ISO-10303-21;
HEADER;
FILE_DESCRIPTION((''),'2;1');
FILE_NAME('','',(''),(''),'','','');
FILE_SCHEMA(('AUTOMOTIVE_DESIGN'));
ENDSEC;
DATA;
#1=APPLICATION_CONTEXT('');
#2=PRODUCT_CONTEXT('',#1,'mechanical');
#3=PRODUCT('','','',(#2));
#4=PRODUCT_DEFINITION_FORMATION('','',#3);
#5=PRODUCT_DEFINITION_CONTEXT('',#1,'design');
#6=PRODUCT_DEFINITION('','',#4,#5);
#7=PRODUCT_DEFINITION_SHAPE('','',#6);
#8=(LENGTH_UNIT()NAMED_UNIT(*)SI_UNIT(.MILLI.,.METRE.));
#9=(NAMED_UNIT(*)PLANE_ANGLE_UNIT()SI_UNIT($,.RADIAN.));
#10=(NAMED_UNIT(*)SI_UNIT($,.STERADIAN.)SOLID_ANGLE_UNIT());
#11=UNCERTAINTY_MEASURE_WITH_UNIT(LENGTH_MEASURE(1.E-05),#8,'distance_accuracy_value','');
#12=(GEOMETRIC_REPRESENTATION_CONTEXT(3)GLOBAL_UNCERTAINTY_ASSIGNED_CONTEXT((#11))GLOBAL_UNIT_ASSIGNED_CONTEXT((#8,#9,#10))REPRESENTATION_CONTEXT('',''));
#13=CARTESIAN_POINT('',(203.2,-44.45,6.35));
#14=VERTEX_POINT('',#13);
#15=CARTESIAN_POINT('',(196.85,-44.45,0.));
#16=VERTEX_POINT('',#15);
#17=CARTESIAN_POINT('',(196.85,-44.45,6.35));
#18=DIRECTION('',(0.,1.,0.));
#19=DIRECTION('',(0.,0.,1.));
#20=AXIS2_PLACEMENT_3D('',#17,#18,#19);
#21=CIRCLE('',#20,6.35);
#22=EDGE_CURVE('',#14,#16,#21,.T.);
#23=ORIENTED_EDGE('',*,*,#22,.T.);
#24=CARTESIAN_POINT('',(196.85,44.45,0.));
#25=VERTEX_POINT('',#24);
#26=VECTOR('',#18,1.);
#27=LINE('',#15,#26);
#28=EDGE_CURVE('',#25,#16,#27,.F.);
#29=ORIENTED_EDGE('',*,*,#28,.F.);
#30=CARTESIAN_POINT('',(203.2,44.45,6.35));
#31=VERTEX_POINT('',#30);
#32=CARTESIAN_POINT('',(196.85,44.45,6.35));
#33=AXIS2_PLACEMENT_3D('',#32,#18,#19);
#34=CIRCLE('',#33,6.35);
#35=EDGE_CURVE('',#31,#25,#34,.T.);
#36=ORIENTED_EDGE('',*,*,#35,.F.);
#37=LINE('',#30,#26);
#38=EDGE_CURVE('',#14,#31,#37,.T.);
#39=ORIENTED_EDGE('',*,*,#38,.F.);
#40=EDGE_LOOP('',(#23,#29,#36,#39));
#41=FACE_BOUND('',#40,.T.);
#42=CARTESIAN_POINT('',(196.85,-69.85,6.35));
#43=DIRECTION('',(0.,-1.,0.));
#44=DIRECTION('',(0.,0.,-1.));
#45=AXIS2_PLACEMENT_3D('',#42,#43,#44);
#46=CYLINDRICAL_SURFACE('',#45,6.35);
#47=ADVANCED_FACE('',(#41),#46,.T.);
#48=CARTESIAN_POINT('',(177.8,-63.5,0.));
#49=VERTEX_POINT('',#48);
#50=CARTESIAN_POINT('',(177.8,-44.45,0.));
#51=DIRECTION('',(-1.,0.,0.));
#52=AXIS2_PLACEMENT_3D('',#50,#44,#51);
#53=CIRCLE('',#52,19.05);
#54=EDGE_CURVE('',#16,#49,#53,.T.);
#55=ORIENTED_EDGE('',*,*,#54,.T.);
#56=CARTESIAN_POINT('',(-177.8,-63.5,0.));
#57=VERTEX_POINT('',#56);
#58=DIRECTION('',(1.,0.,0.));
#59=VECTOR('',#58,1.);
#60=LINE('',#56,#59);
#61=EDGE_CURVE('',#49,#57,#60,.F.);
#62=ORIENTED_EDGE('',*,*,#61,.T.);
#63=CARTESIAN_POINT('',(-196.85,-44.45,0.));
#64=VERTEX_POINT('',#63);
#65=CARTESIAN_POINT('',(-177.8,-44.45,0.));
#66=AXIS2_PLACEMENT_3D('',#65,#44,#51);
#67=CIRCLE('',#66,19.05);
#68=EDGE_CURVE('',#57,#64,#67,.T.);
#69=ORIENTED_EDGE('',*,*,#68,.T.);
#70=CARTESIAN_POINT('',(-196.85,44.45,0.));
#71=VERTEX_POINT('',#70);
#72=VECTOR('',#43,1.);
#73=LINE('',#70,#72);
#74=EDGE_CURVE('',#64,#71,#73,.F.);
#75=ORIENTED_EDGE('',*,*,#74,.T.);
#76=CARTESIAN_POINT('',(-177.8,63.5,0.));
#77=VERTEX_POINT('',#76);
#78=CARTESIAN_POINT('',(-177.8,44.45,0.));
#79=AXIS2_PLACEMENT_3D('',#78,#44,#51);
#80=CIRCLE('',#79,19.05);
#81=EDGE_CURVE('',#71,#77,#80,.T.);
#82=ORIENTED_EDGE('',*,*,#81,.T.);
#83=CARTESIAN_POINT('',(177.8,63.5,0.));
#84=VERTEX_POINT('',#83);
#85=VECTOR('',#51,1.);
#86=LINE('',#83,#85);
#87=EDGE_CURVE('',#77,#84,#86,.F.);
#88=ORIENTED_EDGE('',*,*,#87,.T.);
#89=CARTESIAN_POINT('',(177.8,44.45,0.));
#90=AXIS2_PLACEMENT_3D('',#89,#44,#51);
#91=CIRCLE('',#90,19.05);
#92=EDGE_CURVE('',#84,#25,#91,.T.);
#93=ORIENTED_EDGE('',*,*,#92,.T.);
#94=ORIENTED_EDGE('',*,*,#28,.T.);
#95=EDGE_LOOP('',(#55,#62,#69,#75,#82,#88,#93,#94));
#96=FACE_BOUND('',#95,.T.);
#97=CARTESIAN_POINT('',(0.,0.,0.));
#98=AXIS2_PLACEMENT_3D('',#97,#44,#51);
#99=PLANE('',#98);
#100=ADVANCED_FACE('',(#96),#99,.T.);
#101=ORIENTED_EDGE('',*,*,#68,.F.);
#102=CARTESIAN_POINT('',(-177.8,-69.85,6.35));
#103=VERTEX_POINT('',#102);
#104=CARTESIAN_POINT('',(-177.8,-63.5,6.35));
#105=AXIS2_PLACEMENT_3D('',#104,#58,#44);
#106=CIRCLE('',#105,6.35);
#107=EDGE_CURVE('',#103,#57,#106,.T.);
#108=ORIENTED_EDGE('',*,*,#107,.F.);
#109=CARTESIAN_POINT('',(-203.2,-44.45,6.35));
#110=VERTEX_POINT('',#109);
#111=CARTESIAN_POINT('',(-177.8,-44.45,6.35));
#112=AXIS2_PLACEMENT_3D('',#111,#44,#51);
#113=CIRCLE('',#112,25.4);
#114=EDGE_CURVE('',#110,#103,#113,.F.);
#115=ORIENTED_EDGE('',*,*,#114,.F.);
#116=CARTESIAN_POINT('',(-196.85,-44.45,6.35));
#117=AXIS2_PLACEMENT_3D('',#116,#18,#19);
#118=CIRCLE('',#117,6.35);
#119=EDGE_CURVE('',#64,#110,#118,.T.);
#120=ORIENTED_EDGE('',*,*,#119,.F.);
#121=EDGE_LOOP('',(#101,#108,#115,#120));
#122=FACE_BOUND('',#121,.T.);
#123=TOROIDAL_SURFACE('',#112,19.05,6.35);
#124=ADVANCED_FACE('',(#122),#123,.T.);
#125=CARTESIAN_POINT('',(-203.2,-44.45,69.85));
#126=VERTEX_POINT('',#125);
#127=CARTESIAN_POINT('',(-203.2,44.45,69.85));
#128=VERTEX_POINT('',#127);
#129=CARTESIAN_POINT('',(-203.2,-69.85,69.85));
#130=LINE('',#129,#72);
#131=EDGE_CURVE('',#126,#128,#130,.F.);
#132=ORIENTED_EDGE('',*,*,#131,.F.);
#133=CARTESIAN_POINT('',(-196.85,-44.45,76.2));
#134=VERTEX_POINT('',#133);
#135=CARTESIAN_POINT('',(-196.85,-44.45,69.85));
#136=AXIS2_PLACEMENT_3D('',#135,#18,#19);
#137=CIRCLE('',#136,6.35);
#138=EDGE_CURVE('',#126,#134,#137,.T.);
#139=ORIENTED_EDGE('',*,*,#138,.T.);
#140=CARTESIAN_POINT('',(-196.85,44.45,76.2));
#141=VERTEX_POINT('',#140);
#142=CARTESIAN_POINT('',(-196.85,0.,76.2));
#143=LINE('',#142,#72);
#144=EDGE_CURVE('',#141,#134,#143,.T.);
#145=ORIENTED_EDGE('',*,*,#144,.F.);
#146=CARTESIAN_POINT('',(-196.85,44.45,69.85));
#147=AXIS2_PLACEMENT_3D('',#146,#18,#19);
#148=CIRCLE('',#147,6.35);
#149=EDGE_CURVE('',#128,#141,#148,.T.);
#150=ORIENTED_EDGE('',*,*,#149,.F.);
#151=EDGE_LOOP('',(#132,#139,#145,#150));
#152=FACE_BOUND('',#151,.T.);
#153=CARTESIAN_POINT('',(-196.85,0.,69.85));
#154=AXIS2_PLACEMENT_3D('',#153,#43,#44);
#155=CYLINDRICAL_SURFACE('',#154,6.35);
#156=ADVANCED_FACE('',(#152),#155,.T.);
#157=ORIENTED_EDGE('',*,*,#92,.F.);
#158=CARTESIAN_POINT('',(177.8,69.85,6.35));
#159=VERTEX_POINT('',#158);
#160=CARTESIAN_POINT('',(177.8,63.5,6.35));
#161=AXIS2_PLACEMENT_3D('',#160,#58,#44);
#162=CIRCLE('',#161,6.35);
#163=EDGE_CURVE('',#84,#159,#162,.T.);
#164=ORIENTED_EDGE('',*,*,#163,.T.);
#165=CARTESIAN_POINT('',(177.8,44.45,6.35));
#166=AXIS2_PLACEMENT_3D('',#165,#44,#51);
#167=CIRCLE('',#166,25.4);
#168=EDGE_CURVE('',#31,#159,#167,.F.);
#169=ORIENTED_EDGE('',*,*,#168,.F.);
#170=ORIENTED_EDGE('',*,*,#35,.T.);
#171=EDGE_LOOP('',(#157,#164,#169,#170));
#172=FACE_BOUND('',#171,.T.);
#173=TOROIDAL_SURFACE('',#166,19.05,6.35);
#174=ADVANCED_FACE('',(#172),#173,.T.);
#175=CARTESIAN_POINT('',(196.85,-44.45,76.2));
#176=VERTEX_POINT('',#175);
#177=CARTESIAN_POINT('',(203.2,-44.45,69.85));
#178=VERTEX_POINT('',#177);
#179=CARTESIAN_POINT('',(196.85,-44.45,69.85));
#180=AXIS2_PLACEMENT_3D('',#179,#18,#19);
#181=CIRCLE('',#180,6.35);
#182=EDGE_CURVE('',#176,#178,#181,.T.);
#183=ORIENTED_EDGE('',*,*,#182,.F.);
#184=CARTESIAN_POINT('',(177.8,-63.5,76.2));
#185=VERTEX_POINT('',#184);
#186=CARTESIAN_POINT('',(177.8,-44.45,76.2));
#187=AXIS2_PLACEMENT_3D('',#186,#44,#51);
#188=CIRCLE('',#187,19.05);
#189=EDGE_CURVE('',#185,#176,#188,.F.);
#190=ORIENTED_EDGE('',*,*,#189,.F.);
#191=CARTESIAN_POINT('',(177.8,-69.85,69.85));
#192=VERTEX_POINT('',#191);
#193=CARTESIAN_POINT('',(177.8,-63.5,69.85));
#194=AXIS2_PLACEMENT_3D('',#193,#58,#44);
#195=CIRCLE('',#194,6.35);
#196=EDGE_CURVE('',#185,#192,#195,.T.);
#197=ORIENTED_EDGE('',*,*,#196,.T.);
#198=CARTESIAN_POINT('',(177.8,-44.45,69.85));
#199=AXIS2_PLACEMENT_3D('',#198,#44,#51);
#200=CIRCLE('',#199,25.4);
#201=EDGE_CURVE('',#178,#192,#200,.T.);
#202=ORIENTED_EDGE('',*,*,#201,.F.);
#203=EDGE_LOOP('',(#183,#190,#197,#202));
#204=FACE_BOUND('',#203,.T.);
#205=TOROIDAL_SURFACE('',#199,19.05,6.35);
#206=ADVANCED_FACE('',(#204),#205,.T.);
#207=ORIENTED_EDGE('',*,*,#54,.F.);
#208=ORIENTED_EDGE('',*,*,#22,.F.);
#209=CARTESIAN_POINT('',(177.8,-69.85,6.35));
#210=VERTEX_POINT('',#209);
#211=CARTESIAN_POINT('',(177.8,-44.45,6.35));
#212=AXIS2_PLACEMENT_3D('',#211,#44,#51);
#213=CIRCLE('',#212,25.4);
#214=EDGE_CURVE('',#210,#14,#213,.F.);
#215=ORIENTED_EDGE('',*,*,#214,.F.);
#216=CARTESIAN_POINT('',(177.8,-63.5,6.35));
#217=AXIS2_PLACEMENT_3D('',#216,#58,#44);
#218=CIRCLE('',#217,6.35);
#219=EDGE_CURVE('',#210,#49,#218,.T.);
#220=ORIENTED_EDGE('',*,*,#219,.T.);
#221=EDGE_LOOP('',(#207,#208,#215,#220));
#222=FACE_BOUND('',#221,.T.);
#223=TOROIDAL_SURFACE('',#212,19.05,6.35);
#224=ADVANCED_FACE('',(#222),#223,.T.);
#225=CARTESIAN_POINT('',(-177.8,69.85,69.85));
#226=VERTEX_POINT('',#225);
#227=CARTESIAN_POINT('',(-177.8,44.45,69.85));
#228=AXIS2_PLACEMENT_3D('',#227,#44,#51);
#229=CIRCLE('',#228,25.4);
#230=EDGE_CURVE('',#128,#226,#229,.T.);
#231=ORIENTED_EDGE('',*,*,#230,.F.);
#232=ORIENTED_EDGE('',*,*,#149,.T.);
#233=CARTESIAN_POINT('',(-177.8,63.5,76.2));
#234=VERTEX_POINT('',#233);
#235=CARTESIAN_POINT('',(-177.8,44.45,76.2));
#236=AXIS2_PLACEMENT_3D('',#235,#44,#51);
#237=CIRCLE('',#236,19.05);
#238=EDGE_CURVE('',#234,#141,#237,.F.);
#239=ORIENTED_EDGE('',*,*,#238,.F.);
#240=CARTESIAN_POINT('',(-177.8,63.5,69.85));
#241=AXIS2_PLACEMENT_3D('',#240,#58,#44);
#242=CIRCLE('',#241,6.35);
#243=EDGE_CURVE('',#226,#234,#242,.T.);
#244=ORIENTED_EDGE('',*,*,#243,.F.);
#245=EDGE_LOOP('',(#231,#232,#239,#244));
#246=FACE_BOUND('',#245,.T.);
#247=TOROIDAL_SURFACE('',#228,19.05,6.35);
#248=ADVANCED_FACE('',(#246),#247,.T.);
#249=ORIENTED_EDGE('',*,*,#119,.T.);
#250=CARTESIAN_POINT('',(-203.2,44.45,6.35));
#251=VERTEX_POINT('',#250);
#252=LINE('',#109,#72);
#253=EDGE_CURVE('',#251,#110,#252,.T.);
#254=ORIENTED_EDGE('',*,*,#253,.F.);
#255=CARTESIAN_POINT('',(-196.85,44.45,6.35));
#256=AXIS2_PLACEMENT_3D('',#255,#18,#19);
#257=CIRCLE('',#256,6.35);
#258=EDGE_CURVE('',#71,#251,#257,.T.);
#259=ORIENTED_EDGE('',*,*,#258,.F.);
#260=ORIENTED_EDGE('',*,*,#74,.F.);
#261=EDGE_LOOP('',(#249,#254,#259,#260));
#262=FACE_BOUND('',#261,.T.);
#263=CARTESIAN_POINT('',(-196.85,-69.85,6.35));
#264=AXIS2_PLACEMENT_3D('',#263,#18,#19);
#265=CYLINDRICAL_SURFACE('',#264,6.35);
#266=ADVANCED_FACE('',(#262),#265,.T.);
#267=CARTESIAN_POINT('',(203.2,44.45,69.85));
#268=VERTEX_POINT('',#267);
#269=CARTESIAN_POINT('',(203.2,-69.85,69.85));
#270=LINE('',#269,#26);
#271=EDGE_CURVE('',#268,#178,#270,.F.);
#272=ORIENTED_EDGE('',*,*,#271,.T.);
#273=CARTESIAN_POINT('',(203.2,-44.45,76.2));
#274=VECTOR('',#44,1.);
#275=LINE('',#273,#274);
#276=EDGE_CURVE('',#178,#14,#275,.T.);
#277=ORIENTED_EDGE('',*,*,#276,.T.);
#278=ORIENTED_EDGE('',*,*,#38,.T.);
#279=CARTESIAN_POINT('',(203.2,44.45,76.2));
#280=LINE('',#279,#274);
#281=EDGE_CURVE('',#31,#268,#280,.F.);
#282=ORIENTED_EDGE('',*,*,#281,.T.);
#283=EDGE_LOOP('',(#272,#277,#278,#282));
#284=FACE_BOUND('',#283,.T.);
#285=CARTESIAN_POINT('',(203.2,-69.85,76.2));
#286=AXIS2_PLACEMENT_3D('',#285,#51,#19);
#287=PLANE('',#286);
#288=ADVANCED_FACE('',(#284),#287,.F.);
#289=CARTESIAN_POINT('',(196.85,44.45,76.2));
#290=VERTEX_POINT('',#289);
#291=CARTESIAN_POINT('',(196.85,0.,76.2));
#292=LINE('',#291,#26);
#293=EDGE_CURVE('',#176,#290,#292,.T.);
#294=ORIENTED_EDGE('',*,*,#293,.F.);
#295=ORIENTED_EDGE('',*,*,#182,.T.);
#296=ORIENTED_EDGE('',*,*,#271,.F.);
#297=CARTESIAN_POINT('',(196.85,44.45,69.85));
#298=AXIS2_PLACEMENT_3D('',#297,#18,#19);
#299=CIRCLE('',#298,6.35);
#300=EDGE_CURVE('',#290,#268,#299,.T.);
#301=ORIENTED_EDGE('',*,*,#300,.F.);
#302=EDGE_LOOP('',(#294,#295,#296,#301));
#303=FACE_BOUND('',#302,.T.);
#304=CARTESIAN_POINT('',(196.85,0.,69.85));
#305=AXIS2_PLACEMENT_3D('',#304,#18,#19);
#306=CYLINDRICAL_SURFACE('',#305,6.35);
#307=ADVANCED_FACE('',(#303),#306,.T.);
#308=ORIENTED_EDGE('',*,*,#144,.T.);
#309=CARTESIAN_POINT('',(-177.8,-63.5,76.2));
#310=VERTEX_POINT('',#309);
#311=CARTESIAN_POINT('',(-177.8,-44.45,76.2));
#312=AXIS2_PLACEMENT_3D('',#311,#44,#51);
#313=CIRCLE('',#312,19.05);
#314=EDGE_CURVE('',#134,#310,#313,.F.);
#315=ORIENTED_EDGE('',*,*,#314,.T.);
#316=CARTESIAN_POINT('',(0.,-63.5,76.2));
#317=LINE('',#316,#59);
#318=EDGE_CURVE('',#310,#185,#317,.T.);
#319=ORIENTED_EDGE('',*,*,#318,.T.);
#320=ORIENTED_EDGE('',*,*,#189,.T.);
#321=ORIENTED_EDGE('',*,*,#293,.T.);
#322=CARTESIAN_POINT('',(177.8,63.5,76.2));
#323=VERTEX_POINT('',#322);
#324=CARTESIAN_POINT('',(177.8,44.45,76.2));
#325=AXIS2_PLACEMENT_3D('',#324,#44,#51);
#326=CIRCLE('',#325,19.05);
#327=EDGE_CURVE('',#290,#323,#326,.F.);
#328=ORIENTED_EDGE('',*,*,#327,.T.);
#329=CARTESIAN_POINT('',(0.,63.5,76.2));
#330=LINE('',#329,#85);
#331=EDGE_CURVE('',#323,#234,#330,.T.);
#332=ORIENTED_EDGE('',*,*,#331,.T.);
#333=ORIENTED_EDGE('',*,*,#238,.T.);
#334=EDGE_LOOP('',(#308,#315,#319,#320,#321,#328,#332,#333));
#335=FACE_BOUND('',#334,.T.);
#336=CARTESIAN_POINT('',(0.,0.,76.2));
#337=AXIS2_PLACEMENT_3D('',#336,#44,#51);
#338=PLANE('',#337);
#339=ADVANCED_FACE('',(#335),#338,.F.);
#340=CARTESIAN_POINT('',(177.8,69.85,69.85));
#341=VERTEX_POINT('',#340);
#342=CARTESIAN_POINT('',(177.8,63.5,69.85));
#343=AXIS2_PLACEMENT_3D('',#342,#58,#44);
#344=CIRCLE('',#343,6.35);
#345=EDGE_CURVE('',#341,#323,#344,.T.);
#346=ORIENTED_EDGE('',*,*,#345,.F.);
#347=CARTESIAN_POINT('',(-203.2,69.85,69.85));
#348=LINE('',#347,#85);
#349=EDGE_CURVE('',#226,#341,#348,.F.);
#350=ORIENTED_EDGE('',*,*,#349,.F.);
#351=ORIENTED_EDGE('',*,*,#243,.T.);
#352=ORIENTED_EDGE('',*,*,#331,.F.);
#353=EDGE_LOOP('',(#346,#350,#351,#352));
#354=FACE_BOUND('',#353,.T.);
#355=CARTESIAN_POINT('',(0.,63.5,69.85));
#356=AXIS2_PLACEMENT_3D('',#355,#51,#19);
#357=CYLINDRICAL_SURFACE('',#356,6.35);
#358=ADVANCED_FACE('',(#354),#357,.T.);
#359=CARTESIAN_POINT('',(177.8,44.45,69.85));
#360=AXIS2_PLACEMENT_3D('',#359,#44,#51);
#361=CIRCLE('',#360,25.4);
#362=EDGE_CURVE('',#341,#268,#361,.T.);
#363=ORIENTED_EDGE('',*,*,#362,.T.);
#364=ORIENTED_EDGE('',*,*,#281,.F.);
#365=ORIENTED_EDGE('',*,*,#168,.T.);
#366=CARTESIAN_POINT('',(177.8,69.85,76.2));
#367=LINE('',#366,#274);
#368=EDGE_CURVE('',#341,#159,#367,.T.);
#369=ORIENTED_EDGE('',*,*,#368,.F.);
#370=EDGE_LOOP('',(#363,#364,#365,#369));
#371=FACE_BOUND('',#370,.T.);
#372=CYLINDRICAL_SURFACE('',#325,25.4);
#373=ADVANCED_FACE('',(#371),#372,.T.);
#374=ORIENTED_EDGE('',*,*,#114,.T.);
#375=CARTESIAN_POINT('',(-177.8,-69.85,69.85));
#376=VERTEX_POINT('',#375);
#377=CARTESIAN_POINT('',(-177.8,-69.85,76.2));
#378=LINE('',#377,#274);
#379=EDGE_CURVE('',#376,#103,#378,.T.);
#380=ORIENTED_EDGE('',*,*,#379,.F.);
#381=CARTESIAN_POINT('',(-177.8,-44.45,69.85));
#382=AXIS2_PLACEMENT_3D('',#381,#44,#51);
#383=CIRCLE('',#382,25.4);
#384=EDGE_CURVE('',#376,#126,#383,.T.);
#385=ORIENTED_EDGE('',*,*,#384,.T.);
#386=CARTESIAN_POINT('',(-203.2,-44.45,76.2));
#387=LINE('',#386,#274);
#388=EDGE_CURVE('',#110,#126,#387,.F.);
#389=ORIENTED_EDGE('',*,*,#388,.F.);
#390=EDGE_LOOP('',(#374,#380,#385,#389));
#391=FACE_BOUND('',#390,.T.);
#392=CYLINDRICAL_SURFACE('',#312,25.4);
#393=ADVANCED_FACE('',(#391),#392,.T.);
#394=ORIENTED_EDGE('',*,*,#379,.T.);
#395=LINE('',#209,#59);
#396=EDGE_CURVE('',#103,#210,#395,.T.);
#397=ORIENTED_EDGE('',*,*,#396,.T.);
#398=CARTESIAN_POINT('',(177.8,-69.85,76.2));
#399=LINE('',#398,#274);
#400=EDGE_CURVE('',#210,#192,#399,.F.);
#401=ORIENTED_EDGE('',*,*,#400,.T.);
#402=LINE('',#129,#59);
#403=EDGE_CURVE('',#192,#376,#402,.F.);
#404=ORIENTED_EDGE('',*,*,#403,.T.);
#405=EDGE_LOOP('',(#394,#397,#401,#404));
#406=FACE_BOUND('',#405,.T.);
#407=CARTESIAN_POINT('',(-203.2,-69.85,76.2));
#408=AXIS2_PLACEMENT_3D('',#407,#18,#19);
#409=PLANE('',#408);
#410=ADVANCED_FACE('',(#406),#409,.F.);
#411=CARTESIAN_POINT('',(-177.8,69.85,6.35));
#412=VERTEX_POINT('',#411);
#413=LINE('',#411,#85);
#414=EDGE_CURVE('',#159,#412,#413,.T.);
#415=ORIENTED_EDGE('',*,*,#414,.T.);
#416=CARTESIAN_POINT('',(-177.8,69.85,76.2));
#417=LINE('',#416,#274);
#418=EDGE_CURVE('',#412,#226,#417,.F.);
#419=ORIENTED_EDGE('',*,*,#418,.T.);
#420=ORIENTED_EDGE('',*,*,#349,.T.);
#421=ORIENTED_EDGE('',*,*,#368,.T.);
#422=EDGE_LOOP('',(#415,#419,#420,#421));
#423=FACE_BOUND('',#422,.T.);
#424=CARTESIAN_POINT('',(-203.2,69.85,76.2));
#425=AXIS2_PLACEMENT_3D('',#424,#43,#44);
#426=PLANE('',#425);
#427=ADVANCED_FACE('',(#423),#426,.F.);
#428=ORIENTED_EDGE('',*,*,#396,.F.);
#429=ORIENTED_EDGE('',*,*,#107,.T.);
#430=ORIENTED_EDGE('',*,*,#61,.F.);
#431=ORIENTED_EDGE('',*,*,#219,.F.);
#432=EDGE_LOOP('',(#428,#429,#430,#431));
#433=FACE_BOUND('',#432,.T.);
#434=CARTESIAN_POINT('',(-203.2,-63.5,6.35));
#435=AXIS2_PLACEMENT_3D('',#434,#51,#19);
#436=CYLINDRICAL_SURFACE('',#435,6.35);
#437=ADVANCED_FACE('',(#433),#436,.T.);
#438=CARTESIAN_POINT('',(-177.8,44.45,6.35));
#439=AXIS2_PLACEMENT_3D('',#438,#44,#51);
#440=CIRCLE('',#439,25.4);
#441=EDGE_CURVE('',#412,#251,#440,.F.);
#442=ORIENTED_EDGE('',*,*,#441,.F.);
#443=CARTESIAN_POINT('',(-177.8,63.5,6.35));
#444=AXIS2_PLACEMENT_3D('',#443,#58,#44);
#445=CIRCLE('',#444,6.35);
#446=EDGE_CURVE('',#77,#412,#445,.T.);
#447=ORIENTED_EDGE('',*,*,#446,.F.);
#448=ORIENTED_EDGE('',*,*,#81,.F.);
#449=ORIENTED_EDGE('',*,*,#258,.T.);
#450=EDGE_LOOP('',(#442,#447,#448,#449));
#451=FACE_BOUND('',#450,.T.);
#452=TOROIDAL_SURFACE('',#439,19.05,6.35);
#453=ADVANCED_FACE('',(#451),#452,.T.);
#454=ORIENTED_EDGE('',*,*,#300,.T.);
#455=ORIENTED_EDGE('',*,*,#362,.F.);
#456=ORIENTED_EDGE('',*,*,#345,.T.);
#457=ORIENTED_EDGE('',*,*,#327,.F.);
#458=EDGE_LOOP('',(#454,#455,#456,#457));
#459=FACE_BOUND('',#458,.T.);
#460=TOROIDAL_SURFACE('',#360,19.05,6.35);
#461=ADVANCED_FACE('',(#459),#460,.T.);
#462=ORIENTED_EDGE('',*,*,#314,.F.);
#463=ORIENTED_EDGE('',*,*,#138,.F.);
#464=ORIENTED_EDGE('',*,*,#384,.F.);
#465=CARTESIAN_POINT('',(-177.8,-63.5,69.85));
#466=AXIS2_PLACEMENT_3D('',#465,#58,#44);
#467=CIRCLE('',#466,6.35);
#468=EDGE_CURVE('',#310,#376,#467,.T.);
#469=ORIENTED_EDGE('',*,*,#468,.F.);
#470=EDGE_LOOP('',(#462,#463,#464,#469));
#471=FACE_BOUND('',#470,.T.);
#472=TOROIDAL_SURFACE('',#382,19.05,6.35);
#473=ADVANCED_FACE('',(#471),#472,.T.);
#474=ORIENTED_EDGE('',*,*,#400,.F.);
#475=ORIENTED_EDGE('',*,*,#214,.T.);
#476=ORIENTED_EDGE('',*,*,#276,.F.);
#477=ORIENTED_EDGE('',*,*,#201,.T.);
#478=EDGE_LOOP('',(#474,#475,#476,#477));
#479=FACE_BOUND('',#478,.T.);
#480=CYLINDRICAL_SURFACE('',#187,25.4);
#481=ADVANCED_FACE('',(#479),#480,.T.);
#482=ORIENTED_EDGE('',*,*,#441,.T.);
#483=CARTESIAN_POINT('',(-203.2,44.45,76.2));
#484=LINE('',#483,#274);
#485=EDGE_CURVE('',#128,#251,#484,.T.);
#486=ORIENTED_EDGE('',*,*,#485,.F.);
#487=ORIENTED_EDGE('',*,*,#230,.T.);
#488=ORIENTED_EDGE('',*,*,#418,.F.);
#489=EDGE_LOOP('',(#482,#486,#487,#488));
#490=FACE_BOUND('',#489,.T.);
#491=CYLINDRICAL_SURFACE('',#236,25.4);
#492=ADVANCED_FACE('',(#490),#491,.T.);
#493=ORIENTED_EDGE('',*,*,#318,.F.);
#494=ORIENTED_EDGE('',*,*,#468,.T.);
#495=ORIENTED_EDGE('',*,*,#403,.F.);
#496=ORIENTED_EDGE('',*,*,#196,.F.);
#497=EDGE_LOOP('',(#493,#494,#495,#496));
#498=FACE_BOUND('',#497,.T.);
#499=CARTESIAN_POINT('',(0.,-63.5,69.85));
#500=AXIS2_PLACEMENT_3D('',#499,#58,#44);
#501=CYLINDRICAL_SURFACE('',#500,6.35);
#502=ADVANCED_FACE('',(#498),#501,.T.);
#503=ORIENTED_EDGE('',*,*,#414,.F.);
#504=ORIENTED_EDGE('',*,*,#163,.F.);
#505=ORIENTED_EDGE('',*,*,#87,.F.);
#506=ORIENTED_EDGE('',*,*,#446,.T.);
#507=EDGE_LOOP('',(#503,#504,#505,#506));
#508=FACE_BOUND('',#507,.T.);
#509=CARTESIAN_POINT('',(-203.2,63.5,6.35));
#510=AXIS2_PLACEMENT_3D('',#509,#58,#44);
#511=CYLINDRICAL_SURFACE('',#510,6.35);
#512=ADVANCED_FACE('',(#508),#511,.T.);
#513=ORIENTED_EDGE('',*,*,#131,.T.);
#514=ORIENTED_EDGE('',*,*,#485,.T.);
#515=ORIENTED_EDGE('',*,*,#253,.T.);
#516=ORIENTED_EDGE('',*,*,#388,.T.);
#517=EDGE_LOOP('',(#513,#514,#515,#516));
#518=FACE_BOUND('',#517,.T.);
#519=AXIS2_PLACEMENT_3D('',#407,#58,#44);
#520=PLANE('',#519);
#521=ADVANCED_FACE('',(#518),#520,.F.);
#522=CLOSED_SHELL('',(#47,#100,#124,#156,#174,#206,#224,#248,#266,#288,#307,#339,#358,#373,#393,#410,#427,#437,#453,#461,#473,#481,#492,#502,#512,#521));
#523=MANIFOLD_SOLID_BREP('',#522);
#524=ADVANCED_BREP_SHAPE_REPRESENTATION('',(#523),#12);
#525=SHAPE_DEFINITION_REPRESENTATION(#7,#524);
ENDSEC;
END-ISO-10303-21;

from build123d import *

# Parameters (mm, degrees)
SKETCH1_W           = 406.4
SKETCH1_H           = 139.7
BOSS_EXTRUDE1_DEPTH = 76.2
FILLET1_R           = 25.4
FILLET2_R           = 6.35


with BuildPart() as part:
    # Sketch1 → Boss-Extrude1 (new body)
    with BuildSketch(Plane.XY):
        Rectangle(SKETCH1_W, SKETCH1_H)
    extrude(amount=BOSS_EXTRUDE1_DEPTH)

    # Fillet1
    fillet1_edges = [part.edges().sort_by_distance(p)[0] for p in [
        (203.2, -69.85, 38.1),
        (-203.2, -69.85, 38.1),
        (-203.2, 69.85, 38.1),
        (203.2, 69.85, 38.1),
    ]]
    fillet(fillet1_edges, radius=FILLET1_R)

    # Fillet2
    fillet2_edges = [part.edges().sort_by_distance(p)[0] for p in [
        (203.2, 0, 0),
        (203.2, 0, 76.2),
        (0, -69.85, 0),
        (-203.2, 0, 0),
        (0, 69.85, 0),
        (195.760512242, 62.410512242, 0),
        (-195.760512242, 62.410512242, 0),
        (-195.760512242, -62.410512242, 0),
        (195.760512242, -62.410512242, 0),
        (0, -69.85, 76.2),
        (0, 69.85, 76.2),
        (-203.2, 0, 76.2),
        (195.760512242, 62.410512242, 76.2),
        (-195.760512242, 62.410512242, 76.2),
        (-195.760512242, -62.410512242, 76.2),
        (195.760512242, -62.410512242, 76.2),
    ]]
    fillet(fillet2_edges, radius=FILLET2_R)


solid = part.part
